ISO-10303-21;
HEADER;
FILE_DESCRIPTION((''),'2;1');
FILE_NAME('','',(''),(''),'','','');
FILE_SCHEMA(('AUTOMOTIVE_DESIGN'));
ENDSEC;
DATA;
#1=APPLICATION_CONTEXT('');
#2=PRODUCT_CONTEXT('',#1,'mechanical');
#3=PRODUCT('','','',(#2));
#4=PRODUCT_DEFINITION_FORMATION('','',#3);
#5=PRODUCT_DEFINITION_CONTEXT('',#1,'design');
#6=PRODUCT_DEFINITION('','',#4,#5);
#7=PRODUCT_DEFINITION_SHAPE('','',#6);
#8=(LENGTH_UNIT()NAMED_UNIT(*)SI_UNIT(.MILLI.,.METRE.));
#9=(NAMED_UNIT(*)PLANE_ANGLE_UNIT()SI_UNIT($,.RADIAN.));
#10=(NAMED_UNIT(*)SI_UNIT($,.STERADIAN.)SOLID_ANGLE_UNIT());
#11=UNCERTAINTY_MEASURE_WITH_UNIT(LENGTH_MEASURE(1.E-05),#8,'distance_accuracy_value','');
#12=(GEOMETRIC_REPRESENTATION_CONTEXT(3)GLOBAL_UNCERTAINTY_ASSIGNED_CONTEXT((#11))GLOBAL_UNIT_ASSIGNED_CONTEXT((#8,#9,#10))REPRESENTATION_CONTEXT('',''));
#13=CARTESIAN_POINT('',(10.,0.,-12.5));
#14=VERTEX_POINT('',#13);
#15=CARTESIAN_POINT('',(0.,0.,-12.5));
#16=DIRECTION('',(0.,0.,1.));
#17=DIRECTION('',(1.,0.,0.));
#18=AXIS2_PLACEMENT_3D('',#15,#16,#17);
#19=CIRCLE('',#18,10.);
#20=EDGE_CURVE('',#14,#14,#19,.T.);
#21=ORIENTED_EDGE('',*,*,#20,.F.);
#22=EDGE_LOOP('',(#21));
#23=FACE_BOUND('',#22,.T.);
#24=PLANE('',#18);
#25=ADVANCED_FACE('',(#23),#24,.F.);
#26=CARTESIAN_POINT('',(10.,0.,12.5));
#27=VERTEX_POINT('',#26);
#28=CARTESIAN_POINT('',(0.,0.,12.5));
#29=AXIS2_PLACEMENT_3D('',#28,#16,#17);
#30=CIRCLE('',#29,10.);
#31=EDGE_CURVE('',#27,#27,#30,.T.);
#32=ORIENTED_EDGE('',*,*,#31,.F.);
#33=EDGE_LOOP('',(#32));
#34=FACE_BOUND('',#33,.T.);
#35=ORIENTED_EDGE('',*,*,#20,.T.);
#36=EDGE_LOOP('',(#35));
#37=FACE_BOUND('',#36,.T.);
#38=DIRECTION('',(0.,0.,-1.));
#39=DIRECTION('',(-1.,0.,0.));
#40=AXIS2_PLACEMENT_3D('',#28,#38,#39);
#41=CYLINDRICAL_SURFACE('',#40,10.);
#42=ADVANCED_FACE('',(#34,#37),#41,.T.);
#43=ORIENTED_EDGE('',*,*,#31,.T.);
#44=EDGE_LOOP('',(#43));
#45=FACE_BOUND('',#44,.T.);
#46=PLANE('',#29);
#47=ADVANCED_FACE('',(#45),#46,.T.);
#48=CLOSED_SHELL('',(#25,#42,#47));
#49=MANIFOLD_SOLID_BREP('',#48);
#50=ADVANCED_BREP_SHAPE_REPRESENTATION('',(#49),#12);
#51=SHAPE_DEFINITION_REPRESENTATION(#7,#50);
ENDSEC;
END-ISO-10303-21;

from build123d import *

# Parameters (mm, degrees)
SKETCH1_R           = 10
BOSS_EXTRUDE1_DEPTH = 12.5


with BuildPart() as part:
    # Sketch1 → Boss-Extrude1 (new body, symmetric)
    with BuildSketch(Plane.XY):
        Circle(SKETCH1_R)
    extrude(amount=BOSS_EXTRUDE1_DEPTH, both=True)


solid = part.part
